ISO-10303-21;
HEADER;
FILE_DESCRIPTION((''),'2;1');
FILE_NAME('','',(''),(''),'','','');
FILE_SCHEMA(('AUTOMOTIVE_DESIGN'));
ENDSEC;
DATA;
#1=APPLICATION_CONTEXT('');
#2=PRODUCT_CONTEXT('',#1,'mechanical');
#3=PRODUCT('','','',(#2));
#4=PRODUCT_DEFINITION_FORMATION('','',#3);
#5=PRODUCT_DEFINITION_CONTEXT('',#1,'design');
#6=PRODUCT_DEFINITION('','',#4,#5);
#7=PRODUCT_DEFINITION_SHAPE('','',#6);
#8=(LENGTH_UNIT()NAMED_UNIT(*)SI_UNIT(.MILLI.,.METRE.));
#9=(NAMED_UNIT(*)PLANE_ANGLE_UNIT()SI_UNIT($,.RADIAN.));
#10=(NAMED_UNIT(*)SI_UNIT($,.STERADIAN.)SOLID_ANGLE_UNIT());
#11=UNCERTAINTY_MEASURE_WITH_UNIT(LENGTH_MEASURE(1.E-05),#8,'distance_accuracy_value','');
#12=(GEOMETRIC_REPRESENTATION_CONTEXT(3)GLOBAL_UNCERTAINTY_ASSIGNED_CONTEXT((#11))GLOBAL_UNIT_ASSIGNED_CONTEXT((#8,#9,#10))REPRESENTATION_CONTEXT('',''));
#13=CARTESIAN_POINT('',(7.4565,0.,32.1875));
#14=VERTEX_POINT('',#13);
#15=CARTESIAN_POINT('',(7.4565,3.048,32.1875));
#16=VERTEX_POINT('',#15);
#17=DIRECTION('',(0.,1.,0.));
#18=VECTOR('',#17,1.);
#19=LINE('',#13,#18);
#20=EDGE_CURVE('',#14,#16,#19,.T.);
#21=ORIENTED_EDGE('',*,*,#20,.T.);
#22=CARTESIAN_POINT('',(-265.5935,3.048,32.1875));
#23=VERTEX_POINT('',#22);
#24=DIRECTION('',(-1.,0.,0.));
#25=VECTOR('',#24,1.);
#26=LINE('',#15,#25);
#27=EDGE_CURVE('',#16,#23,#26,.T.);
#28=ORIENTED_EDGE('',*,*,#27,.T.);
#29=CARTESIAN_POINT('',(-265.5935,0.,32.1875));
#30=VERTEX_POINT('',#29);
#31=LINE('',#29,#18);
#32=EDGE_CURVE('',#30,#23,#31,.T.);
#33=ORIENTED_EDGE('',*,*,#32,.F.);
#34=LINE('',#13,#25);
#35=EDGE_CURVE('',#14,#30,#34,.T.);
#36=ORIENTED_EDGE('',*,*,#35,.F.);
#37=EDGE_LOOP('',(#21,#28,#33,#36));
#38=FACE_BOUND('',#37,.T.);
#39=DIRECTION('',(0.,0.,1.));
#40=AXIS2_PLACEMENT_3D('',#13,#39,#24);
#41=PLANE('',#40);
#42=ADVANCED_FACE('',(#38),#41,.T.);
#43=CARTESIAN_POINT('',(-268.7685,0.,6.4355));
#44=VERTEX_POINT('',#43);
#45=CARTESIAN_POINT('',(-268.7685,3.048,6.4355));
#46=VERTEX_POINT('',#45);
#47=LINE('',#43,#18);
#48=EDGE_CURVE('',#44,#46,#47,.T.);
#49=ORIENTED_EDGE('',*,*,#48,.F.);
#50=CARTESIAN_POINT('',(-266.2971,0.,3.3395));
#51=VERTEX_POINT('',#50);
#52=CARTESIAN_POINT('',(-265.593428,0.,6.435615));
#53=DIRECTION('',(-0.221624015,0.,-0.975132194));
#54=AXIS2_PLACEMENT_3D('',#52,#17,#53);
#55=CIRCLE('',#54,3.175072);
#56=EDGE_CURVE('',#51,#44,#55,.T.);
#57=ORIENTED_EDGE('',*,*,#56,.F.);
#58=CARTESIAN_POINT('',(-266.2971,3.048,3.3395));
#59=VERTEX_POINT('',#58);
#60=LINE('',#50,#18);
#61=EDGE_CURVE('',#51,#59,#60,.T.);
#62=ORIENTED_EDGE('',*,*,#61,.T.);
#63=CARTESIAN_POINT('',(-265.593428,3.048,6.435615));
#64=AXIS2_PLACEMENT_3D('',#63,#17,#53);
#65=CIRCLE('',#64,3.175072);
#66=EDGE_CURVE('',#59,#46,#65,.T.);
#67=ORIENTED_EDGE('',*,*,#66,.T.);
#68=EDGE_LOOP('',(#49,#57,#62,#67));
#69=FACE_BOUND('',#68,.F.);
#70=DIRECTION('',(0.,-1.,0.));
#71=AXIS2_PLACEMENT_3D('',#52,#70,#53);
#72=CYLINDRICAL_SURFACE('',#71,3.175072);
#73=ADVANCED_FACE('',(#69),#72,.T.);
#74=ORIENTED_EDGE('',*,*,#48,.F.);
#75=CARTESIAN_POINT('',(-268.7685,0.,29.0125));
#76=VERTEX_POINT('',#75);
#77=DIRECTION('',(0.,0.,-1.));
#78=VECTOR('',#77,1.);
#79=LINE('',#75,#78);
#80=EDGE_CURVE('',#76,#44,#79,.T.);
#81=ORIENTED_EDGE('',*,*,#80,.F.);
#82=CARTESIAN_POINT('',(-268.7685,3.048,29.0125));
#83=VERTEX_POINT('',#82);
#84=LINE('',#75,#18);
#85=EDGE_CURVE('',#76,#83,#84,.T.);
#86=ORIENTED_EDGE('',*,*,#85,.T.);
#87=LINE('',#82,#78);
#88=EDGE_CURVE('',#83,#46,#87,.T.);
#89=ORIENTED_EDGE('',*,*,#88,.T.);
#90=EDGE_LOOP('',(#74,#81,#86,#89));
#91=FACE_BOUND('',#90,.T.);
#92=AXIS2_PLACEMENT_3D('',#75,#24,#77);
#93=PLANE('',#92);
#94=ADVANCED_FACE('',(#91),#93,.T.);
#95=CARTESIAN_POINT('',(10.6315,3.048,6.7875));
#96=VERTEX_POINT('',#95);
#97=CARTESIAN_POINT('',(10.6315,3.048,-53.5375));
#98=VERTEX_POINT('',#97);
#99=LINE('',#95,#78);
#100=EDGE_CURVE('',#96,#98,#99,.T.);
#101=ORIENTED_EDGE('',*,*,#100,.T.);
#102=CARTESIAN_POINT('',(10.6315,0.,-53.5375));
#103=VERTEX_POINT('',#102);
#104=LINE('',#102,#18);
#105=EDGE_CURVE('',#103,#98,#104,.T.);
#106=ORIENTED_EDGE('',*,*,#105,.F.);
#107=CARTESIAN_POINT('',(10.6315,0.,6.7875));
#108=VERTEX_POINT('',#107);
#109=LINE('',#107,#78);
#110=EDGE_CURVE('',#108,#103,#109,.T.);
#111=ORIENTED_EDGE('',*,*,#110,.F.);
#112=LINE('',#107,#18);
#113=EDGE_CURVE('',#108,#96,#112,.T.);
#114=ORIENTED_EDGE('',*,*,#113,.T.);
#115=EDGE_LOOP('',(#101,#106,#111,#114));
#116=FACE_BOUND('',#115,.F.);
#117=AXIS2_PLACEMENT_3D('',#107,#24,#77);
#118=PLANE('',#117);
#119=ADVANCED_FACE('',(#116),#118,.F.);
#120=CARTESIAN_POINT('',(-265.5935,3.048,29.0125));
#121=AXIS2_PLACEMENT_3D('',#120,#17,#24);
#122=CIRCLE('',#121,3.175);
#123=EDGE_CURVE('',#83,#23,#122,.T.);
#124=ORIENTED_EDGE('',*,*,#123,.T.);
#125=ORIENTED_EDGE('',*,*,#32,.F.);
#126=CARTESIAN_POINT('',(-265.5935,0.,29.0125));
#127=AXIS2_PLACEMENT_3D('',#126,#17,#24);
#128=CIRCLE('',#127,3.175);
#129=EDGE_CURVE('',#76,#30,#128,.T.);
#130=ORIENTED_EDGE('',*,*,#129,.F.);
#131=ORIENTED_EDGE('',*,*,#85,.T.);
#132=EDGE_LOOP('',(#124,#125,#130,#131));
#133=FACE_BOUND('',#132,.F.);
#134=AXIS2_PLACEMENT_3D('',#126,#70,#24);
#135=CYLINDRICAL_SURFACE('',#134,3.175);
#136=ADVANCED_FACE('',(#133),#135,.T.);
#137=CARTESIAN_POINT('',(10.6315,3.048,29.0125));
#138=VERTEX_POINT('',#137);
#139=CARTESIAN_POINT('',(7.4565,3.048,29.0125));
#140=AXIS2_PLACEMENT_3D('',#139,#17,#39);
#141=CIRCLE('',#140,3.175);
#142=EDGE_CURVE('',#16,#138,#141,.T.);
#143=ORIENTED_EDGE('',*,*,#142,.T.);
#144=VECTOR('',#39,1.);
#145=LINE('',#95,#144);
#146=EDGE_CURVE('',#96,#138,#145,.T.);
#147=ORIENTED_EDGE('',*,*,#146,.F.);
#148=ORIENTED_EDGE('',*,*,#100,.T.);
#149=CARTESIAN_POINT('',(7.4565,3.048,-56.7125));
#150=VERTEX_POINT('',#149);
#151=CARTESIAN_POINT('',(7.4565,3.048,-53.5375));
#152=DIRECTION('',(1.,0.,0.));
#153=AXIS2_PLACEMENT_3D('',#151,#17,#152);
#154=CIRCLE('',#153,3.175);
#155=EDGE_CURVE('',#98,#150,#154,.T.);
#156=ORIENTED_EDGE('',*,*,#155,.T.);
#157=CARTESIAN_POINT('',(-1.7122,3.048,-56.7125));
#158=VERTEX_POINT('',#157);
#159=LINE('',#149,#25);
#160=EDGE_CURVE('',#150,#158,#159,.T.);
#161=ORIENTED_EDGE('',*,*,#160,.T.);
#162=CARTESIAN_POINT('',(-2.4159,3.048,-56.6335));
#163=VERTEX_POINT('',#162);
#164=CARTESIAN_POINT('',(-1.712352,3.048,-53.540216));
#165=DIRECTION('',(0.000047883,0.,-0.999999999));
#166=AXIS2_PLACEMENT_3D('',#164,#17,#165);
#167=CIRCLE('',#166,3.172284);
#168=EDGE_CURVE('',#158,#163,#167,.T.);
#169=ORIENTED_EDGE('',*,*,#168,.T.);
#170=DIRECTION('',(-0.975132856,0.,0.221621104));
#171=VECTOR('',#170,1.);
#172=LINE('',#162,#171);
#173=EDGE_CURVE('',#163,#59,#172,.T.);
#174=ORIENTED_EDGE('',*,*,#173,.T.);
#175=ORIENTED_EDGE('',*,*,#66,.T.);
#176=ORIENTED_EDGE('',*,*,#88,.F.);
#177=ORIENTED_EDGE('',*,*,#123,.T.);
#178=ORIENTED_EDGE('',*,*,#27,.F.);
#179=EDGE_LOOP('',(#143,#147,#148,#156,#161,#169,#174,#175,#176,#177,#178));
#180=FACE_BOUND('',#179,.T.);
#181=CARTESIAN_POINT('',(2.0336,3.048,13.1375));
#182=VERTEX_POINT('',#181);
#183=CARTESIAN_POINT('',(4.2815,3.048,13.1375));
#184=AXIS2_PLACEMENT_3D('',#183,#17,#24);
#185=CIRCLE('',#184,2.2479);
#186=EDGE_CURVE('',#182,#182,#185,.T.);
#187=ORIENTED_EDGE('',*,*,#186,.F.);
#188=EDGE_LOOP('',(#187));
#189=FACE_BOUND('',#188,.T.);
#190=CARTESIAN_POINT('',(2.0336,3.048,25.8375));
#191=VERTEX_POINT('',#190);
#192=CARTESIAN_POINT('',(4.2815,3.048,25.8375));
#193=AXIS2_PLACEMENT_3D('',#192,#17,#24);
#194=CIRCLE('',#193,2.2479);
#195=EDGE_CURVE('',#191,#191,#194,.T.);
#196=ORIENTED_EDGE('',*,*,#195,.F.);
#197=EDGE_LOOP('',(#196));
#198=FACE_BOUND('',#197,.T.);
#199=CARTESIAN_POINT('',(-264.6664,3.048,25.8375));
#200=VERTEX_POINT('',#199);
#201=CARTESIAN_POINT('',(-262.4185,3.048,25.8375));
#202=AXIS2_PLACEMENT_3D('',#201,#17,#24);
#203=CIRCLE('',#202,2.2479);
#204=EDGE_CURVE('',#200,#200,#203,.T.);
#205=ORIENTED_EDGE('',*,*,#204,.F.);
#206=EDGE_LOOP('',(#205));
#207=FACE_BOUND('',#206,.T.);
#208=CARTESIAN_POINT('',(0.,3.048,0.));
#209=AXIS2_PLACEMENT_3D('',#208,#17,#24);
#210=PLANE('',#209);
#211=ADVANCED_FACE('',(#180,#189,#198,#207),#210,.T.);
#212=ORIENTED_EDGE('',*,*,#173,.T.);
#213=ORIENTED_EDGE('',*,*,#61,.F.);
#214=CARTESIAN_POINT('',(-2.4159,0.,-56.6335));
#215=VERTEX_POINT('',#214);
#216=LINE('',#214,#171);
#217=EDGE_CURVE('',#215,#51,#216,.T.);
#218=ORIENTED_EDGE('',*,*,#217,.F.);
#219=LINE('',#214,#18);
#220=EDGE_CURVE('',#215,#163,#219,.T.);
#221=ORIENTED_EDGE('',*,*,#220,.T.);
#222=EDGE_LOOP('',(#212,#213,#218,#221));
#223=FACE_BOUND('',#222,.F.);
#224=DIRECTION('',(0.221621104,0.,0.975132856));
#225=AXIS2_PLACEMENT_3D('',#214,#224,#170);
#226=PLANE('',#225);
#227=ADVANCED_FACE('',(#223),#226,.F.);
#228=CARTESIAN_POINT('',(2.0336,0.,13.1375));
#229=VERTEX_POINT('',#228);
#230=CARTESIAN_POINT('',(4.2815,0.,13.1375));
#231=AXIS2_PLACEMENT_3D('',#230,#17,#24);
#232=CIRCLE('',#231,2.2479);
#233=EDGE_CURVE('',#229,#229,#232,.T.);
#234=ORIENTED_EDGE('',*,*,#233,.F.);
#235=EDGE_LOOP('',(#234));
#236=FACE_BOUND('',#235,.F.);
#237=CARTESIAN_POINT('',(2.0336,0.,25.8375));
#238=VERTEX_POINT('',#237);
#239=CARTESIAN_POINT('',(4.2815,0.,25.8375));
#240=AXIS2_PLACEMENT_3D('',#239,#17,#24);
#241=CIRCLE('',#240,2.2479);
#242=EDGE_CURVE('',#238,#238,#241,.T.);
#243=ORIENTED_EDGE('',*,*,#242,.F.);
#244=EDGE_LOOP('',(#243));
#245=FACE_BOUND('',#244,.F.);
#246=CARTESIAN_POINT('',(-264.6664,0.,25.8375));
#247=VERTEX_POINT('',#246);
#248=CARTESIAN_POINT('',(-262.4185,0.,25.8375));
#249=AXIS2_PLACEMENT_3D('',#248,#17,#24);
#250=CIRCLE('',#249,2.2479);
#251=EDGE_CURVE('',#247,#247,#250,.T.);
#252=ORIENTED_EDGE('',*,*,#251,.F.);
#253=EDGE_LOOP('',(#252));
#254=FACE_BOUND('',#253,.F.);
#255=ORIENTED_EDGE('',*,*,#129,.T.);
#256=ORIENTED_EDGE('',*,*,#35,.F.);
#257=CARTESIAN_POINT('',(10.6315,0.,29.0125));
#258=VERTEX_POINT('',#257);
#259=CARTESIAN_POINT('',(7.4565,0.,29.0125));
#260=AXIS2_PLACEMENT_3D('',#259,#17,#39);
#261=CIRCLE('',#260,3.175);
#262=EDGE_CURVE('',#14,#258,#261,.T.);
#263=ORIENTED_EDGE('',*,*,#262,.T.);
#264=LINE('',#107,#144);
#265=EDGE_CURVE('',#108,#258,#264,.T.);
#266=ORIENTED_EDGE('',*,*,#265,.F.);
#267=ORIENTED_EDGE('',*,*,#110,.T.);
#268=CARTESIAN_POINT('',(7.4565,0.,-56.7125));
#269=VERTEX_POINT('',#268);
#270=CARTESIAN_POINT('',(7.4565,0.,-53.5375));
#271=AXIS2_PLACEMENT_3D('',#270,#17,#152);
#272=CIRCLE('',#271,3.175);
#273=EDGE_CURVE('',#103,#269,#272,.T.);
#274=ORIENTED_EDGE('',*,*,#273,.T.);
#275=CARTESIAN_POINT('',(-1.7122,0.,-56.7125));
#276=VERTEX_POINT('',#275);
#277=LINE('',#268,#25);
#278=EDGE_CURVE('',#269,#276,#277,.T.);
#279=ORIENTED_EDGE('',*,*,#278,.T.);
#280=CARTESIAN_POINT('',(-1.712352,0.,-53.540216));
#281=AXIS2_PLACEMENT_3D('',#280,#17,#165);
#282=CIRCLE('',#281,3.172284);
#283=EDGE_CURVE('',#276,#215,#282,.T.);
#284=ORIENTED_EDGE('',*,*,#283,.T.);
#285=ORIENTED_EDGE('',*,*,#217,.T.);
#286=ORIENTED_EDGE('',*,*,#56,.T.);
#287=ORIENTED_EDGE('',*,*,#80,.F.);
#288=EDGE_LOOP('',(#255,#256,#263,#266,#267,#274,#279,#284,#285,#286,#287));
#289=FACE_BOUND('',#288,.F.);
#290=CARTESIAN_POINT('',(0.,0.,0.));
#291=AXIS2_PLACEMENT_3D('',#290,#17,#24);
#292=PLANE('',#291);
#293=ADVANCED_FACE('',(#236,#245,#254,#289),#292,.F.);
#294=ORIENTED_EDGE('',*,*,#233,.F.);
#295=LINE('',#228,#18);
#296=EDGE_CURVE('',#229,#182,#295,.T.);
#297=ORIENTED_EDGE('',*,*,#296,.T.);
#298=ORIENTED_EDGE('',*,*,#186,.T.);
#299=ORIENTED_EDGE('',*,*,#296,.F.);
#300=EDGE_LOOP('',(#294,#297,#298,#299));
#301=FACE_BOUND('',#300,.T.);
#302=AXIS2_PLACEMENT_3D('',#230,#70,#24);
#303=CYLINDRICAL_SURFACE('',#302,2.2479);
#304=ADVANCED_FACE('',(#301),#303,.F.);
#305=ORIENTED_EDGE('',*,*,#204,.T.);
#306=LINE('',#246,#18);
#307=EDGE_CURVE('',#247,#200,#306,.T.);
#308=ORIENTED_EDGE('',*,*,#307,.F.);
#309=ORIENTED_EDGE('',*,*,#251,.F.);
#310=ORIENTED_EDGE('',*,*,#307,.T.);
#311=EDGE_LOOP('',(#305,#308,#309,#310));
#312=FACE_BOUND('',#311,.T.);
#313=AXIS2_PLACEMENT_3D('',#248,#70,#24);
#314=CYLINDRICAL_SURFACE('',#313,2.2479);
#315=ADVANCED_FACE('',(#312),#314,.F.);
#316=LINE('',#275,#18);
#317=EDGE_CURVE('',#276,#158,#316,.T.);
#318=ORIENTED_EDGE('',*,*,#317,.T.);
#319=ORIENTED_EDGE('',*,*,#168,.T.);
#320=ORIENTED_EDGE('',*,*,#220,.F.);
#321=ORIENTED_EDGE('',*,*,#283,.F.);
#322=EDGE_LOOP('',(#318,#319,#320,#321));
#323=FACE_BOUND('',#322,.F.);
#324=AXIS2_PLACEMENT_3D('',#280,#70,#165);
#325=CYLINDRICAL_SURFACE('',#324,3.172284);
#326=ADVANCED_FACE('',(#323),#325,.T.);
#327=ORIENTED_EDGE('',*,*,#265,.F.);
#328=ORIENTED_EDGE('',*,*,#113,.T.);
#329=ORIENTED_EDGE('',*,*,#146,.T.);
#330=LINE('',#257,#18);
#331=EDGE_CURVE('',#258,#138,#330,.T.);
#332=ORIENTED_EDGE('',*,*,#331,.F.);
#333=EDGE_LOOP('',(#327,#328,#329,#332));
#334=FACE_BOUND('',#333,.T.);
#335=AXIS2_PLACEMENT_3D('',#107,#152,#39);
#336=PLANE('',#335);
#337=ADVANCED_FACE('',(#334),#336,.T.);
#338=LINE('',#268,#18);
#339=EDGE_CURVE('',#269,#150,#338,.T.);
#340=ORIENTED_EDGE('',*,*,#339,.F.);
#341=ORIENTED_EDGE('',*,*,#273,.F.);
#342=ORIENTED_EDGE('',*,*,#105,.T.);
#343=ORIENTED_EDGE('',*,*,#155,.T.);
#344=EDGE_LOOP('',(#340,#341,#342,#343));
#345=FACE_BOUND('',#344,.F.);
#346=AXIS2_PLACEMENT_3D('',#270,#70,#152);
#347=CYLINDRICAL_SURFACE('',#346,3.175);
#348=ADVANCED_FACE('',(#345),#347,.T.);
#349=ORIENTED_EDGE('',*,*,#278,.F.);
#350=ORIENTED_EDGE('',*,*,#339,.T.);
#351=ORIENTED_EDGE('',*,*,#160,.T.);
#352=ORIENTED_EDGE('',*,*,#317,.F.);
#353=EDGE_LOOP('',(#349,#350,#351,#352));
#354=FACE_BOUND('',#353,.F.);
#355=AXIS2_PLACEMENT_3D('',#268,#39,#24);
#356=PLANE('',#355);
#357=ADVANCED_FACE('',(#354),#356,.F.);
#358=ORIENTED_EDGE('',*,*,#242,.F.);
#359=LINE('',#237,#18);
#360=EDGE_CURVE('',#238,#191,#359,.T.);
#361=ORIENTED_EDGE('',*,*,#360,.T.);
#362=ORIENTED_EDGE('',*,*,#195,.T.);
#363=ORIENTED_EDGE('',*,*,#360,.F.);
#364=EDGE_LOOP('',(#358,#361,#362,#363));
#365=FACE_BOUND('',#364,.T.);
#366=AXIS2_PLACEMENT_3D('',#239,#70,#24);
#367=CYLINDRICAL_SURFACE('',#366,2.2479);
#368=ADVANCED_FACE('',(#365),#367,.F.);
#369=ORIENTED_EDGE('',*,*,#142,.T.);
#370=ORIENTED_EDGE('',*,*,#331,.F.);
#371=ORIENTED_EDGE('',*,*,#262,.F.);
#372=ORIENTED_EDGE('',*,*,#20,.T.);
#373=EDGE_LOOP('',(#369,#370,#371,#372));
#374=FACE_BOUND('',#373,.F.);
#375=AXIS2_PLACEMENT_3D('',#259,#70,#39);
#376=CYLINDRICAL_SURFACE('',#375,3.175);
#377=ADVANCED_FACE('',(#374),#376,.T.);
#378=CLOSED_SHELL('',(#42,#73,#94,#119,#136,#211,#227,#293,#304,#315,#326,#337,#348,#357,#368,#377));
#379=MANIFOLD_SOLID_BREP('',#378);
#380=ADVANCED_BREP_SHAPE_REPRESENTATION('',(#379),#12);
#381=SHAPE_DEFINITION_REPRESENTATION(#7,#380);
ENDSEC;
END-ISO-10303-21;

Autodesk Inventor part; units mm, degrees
ref_plane "YZ Plane" through (0, 0, 0) normal (1, 0, 0) x (0, 1, 0)
ref_plane "XZ Plane" through (0, 0, 0) normal (0, 1, 0) x (-1, 0, 0)
ref_plane "XY Plane" through (0, 0, 0) normal (0, 0, 1) x (1, 0, 0)
sketch "Sketch1" plane through (0, 0, 0) normal (0, 1, 0) x (-1, 0, 0)
  circle A0 centre (-4.2815, 25.8375) radius 2.2479
  circle A1 centre (-4.2815, 13.1375) radius 2.2479
  circle A2 centre (262.4185, 25.8375) radius 2.2479
  line L0 (-7.4565, 32.1875) -> (265.5935, 32.1875)
  line L1 (268.7685, 29.0125) -> (268.7685, 6.4355)
  line L2 (268.7489, 6.7875) -> (-10.6315, 6.7875)
  line L3 (-10.6315, 6.7875) -> (-10.6315, 29.0125)
  line L4 (-10.6315, 6.7875) -> (-10.6315, -53.5375)
  line L5 (-7.4565, -56.7125) -> (1.7122, -56.7125)
  line L6 (2.4159, -56.6335) -> (266.2971, 3.3395)
  arc A3 (1.7122, -56.7125) -> (2.4159, -56.6335) centre (1.7122, -53.5375) ccw
  arc A4 (-7.4565, 32.1875) -> (-10.6315, 29.0125) centre (-7.4565, 29.0125) ccw
  arc A5 (-10.6315, -53.5375) -> (-7.4565, -56.7125) centre (-7.4565, -53.5375) ccw
  arc A6 (266.2971, 3.3395) -> (268.7685, 6.4355) centre (265.5935, 6.4355) ccw
  arc A7 (268.7685, 29.0125) -> (265.5935, 32.1875) centre (265.5935, 29.0125) ccw
  point P0 (0, 0)
  point P1 (-10.6315, -56.7125)
  point P2 (2.0685, -56.7125)
  dimension "d0" = 4.4958
  dimension "d1" = 4.4958
  dimension "d2" = 12.7
  dimension "d3" = 4.4958
  dimension "d4" = 266.7
  dimension "d5" = 6.35
  dimension "d6" = 6.35
  dimension "d7" = 6.35
  dimension "d8" = 6.35
  dimension "d9" = 6.35
  dimension "d10" = 63.5
  dimension "d11" = 12.7
  dimension "d12" = 3.175
extrude "Plate1" add sketch "Sketch1" along normal blind 3.048
equation "\"d13\" = Thickness"
equation "\"BendRadius\" = Thickness"
equation "\"BendReliefWidth\" = Thickness"
equation "\"BendReliefDepth\" = 0.5 * Thickness"
equation "\"CornerReliefSize\" = 4 * Thickness"
equation "\"MinimumRemnant\" = 2 * Thickness"
equation "\"TransitionRadius\" = BendRadius"
equation "\"JacobiRadiusSize\" = BendRadius"
equation "\"GapSize\" = Thickness"
equation "\"Thickness\" = 3.048"
properties part number "wing"
